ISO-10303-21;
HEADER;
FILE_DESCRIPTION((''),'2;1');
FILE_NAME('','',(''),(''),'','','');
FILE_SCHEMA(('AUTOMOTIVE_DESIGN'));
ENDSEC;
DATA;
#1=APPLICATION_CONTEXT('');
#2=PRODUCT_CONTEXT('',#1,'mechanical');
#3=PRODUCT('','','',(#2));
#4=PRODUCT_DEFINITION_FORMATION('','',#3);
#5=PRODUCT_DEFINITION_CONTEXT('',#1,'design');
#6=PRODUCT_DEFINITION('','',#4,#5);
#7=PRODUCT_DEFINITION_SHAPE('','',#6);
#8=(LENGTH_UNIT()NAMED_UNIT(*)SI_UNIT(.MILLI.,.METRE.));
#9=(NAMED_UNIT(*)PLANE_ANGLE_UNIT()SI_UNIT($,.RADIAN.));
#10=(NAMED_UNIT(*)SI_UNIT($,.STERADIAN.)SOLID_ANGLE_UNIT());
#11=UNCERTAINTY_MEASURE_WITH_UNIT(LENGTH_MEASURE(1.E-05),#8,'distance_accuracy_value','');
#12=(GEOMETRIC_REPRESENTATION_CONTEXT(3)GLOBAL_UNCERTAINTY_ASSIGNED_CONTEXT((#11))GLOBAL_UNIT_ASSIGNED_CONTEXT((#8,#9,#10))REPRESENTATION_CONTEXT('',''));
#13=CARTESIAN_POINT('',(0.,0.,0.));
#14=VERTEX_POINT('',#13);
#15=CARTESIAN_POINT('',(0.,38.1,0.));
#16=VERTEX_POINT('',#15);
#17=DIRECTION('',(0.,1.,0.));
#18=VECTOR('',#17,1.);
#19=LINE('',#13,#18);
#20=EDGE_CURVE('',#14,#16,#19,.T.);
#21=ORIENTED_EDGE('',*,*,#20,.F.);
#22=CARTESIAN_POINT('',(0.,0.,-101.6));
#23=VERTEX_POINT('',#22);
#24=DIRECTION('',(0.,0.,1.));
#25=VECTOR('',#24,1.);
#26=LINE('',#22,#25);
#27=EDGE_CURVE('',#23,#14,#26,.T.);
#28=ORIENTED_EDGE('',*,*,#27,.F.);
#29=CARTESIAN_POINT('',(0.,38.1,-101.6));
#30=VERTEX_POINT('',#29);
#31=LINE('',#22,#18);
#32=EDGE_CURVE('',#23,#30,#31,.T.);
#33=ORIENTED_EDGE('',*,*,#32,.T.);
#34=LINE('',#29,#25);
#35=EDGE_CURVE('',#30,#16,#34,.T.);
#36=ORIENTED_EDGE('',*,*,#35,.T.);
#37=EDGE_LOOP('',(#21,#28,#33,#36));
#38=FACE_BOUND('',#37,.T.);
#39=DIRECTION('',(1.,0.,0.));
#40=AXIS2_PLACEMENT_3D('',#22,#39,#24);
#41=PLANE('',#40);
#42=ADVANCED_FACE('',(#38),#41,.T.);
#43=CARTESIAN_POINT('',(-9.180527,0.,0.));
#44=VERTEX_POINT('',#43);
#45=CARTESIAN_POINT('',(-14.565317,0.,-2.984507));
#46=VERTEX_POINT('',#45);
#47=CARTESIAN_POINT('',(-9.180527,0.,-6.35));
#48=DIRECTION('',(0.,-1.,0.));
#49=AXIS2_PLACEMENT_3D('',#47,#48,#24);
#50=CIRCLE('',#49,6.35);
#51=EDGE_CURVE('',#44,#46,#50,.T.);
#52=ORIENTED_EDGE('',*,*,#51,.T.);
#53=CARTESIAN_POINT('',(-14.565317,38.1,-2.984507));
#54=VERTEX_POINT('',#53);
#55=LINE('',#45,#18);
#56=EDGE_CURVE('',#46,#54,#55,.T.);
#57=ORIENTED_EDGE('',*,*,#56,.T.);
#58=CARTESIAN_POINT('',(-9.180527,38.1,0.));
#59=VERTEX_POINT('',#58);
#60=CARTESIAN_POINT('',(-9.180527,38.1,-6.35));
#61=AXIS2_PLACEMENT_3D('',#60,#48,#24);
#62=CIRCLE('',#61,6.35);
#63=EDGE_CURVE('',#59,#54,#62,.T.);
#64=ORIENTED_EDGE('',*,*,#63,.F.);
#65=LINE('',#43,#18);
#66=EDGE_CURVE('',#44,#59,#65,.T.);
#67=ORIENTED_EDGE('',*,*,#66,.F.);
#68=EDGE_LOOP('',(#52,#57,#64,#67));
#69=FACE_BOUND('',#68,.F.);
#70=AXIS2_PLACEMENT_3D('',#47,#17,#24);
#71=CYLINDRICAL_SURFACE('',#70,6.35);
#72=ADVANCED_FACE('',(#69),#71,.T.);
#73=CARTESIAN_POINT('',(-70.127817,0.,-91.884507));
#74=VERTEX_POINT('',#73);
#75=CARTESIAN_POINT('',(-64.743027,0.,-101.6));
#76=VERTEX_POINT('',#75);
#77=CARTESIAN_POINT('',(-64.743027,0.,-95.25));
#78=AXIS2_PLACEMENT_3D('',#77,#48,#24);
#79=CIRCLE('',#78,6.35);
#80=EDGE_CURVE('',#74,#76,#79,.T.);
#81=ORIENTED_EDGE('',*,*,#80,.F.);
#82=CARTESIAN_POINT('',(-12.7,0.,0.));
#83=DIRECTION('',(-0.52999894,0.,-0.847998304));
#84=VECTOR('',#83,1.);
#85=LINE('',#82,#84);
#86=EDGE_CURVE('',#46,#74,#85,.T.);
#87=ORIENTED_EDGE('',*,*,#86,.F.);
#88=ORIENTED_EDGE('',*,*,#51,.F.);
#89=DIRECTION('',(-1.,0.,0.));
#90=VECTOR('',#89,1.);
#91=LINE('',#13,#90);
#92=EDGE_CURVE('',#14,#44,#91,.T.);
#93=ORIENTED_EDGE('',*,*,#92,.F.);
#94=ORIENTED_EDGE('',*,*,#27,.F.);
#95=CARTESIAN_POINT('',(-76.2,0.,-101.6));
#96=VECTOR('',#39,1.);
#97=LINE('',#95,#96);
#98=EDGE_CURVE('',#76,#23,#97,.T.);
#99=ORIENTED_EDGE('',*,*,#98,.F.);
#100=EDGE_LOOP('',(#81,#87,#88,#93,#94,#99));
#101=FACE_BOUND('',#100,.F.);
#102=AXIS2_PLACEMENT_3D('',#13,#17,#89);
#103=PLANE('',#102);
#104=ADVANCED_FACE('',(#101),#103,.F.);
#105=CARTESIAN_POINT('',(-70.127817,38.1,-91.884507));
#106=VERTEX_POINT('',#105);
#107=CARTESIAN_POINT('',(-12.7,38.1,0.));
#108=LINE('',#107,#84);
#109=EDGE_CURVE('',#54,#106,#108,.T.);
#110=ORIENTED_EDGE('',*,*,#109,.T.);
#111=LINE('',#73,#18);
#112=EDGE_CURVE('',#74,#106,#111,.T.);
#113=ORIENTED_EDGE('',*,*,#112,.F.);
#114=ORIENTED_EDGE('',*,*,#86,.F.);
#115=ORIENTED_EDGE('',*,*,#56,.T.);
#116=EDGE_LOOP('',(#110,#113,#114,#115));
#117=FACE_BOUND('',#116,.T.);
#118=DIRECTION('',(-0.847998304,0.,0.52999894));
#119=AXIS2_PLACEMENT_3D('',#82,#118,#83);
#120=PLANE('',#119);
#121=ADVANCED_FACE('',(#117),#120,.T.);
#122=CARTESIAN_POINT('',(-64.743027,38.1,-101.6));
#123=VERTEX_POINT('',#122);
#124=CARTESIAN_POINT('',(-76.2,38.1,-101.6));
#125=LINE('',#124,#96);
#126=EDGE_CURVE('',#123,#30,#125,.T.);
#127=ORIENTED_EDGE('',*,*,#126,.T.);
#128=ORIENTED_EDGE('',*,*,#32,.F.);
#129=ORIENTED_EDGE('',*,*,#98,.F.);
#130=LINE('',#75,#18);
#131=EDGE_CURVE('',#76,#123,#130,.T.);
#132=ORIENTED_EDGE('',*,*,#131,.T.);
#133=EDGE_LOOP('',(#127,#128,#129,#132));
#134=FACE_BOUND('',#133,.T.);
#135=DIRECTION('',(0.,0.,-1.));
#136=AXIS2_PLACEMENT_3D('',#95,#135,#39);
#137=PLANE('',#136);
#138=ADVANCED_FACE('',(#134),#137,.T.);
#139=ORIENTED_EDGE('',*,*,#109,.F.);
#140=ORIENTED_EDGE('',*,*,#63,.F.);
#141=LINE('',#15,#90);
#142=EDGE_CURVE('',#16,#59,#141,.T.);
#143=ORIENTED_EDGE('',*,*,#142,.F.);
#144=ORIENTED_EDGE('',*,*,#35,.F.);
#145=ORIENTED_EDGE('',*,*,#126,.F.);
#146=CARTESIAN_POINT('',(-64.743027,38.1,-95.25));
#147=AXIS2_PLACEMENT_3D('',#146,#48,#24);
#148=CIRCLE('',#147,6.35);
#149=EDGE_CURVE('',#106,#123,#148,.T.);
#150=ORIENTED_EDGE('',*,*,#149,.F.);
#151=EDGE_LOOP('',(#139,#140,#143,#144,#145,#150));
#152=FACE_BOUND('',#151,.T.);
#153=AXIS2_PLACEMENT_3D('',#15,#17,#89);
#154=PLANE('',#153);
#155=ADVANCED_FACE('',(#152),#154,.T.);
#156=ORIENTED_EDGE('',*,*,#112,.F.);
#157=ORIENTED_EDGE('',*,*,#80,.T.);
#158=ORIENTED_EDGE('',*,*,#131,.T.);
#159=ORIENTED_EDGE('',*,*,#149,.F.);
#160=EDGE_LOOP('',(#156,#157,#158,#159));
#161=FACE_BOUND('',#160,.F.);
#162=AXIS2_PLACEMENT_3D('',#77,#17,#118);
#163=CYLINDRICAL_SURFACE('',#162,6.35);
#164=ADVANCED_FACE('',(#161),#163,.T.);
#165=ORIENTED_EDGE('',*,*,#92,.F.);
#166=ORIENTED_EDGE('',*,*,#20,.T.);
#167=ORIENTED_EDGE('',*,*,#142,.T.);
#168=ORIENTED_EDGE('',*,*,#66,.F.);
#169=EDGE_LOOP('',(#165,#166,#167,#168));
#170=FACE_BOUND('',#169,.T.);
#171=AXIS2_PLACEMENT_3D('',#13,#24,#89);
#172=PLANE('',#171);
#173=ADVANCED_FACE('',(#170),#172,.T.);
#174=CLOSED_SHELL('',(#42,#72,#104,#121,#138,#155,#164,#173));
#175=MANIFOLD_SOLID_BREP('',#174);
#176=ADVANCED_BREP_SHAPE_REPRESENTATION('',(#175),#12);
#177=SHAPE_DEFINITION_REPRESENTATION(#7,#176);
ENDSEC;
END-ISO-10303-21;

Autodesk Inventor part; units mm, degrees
ref_plane "YZ Plane" through (0, 0, 0) normal (1, 0, 0) x (0, 1, 0)
ref_plane "XZ Plane" through (0, 0, 0) normal (0, 1, 0) x (-1, 0, 0)
ref_plane "XY Plane" through (0, 0, 0) normal (0, 0, 1) x (1, 0, 0)
sketch "Sketch1" plane through (0, 0, 0) normal (0, 1, 0) x (-1, 0, 0)
  line L0 (0, 0) -> (12.7, 0)
  line L1 (12.7, 0) -> (76.2, -101.6)
  line L2 (76.2, -101.6) -> (0, -101.6)
  line L3 (0, -101.6) -> (0, 0)
  dimension "d0" = 12.7
  dimension "d1" = 76.2
  dimension "d2" = 101.6
extrude "Extrusion1" add sketch "Sketch1" along normal blind 38.1
fillet "Fillet1" radius 6.35 2 edges at (-12.7, 19.05, 0) (-76.2, 19.05, -101.6)
properties part number "GI - 005" material "Aluminum 6061"
